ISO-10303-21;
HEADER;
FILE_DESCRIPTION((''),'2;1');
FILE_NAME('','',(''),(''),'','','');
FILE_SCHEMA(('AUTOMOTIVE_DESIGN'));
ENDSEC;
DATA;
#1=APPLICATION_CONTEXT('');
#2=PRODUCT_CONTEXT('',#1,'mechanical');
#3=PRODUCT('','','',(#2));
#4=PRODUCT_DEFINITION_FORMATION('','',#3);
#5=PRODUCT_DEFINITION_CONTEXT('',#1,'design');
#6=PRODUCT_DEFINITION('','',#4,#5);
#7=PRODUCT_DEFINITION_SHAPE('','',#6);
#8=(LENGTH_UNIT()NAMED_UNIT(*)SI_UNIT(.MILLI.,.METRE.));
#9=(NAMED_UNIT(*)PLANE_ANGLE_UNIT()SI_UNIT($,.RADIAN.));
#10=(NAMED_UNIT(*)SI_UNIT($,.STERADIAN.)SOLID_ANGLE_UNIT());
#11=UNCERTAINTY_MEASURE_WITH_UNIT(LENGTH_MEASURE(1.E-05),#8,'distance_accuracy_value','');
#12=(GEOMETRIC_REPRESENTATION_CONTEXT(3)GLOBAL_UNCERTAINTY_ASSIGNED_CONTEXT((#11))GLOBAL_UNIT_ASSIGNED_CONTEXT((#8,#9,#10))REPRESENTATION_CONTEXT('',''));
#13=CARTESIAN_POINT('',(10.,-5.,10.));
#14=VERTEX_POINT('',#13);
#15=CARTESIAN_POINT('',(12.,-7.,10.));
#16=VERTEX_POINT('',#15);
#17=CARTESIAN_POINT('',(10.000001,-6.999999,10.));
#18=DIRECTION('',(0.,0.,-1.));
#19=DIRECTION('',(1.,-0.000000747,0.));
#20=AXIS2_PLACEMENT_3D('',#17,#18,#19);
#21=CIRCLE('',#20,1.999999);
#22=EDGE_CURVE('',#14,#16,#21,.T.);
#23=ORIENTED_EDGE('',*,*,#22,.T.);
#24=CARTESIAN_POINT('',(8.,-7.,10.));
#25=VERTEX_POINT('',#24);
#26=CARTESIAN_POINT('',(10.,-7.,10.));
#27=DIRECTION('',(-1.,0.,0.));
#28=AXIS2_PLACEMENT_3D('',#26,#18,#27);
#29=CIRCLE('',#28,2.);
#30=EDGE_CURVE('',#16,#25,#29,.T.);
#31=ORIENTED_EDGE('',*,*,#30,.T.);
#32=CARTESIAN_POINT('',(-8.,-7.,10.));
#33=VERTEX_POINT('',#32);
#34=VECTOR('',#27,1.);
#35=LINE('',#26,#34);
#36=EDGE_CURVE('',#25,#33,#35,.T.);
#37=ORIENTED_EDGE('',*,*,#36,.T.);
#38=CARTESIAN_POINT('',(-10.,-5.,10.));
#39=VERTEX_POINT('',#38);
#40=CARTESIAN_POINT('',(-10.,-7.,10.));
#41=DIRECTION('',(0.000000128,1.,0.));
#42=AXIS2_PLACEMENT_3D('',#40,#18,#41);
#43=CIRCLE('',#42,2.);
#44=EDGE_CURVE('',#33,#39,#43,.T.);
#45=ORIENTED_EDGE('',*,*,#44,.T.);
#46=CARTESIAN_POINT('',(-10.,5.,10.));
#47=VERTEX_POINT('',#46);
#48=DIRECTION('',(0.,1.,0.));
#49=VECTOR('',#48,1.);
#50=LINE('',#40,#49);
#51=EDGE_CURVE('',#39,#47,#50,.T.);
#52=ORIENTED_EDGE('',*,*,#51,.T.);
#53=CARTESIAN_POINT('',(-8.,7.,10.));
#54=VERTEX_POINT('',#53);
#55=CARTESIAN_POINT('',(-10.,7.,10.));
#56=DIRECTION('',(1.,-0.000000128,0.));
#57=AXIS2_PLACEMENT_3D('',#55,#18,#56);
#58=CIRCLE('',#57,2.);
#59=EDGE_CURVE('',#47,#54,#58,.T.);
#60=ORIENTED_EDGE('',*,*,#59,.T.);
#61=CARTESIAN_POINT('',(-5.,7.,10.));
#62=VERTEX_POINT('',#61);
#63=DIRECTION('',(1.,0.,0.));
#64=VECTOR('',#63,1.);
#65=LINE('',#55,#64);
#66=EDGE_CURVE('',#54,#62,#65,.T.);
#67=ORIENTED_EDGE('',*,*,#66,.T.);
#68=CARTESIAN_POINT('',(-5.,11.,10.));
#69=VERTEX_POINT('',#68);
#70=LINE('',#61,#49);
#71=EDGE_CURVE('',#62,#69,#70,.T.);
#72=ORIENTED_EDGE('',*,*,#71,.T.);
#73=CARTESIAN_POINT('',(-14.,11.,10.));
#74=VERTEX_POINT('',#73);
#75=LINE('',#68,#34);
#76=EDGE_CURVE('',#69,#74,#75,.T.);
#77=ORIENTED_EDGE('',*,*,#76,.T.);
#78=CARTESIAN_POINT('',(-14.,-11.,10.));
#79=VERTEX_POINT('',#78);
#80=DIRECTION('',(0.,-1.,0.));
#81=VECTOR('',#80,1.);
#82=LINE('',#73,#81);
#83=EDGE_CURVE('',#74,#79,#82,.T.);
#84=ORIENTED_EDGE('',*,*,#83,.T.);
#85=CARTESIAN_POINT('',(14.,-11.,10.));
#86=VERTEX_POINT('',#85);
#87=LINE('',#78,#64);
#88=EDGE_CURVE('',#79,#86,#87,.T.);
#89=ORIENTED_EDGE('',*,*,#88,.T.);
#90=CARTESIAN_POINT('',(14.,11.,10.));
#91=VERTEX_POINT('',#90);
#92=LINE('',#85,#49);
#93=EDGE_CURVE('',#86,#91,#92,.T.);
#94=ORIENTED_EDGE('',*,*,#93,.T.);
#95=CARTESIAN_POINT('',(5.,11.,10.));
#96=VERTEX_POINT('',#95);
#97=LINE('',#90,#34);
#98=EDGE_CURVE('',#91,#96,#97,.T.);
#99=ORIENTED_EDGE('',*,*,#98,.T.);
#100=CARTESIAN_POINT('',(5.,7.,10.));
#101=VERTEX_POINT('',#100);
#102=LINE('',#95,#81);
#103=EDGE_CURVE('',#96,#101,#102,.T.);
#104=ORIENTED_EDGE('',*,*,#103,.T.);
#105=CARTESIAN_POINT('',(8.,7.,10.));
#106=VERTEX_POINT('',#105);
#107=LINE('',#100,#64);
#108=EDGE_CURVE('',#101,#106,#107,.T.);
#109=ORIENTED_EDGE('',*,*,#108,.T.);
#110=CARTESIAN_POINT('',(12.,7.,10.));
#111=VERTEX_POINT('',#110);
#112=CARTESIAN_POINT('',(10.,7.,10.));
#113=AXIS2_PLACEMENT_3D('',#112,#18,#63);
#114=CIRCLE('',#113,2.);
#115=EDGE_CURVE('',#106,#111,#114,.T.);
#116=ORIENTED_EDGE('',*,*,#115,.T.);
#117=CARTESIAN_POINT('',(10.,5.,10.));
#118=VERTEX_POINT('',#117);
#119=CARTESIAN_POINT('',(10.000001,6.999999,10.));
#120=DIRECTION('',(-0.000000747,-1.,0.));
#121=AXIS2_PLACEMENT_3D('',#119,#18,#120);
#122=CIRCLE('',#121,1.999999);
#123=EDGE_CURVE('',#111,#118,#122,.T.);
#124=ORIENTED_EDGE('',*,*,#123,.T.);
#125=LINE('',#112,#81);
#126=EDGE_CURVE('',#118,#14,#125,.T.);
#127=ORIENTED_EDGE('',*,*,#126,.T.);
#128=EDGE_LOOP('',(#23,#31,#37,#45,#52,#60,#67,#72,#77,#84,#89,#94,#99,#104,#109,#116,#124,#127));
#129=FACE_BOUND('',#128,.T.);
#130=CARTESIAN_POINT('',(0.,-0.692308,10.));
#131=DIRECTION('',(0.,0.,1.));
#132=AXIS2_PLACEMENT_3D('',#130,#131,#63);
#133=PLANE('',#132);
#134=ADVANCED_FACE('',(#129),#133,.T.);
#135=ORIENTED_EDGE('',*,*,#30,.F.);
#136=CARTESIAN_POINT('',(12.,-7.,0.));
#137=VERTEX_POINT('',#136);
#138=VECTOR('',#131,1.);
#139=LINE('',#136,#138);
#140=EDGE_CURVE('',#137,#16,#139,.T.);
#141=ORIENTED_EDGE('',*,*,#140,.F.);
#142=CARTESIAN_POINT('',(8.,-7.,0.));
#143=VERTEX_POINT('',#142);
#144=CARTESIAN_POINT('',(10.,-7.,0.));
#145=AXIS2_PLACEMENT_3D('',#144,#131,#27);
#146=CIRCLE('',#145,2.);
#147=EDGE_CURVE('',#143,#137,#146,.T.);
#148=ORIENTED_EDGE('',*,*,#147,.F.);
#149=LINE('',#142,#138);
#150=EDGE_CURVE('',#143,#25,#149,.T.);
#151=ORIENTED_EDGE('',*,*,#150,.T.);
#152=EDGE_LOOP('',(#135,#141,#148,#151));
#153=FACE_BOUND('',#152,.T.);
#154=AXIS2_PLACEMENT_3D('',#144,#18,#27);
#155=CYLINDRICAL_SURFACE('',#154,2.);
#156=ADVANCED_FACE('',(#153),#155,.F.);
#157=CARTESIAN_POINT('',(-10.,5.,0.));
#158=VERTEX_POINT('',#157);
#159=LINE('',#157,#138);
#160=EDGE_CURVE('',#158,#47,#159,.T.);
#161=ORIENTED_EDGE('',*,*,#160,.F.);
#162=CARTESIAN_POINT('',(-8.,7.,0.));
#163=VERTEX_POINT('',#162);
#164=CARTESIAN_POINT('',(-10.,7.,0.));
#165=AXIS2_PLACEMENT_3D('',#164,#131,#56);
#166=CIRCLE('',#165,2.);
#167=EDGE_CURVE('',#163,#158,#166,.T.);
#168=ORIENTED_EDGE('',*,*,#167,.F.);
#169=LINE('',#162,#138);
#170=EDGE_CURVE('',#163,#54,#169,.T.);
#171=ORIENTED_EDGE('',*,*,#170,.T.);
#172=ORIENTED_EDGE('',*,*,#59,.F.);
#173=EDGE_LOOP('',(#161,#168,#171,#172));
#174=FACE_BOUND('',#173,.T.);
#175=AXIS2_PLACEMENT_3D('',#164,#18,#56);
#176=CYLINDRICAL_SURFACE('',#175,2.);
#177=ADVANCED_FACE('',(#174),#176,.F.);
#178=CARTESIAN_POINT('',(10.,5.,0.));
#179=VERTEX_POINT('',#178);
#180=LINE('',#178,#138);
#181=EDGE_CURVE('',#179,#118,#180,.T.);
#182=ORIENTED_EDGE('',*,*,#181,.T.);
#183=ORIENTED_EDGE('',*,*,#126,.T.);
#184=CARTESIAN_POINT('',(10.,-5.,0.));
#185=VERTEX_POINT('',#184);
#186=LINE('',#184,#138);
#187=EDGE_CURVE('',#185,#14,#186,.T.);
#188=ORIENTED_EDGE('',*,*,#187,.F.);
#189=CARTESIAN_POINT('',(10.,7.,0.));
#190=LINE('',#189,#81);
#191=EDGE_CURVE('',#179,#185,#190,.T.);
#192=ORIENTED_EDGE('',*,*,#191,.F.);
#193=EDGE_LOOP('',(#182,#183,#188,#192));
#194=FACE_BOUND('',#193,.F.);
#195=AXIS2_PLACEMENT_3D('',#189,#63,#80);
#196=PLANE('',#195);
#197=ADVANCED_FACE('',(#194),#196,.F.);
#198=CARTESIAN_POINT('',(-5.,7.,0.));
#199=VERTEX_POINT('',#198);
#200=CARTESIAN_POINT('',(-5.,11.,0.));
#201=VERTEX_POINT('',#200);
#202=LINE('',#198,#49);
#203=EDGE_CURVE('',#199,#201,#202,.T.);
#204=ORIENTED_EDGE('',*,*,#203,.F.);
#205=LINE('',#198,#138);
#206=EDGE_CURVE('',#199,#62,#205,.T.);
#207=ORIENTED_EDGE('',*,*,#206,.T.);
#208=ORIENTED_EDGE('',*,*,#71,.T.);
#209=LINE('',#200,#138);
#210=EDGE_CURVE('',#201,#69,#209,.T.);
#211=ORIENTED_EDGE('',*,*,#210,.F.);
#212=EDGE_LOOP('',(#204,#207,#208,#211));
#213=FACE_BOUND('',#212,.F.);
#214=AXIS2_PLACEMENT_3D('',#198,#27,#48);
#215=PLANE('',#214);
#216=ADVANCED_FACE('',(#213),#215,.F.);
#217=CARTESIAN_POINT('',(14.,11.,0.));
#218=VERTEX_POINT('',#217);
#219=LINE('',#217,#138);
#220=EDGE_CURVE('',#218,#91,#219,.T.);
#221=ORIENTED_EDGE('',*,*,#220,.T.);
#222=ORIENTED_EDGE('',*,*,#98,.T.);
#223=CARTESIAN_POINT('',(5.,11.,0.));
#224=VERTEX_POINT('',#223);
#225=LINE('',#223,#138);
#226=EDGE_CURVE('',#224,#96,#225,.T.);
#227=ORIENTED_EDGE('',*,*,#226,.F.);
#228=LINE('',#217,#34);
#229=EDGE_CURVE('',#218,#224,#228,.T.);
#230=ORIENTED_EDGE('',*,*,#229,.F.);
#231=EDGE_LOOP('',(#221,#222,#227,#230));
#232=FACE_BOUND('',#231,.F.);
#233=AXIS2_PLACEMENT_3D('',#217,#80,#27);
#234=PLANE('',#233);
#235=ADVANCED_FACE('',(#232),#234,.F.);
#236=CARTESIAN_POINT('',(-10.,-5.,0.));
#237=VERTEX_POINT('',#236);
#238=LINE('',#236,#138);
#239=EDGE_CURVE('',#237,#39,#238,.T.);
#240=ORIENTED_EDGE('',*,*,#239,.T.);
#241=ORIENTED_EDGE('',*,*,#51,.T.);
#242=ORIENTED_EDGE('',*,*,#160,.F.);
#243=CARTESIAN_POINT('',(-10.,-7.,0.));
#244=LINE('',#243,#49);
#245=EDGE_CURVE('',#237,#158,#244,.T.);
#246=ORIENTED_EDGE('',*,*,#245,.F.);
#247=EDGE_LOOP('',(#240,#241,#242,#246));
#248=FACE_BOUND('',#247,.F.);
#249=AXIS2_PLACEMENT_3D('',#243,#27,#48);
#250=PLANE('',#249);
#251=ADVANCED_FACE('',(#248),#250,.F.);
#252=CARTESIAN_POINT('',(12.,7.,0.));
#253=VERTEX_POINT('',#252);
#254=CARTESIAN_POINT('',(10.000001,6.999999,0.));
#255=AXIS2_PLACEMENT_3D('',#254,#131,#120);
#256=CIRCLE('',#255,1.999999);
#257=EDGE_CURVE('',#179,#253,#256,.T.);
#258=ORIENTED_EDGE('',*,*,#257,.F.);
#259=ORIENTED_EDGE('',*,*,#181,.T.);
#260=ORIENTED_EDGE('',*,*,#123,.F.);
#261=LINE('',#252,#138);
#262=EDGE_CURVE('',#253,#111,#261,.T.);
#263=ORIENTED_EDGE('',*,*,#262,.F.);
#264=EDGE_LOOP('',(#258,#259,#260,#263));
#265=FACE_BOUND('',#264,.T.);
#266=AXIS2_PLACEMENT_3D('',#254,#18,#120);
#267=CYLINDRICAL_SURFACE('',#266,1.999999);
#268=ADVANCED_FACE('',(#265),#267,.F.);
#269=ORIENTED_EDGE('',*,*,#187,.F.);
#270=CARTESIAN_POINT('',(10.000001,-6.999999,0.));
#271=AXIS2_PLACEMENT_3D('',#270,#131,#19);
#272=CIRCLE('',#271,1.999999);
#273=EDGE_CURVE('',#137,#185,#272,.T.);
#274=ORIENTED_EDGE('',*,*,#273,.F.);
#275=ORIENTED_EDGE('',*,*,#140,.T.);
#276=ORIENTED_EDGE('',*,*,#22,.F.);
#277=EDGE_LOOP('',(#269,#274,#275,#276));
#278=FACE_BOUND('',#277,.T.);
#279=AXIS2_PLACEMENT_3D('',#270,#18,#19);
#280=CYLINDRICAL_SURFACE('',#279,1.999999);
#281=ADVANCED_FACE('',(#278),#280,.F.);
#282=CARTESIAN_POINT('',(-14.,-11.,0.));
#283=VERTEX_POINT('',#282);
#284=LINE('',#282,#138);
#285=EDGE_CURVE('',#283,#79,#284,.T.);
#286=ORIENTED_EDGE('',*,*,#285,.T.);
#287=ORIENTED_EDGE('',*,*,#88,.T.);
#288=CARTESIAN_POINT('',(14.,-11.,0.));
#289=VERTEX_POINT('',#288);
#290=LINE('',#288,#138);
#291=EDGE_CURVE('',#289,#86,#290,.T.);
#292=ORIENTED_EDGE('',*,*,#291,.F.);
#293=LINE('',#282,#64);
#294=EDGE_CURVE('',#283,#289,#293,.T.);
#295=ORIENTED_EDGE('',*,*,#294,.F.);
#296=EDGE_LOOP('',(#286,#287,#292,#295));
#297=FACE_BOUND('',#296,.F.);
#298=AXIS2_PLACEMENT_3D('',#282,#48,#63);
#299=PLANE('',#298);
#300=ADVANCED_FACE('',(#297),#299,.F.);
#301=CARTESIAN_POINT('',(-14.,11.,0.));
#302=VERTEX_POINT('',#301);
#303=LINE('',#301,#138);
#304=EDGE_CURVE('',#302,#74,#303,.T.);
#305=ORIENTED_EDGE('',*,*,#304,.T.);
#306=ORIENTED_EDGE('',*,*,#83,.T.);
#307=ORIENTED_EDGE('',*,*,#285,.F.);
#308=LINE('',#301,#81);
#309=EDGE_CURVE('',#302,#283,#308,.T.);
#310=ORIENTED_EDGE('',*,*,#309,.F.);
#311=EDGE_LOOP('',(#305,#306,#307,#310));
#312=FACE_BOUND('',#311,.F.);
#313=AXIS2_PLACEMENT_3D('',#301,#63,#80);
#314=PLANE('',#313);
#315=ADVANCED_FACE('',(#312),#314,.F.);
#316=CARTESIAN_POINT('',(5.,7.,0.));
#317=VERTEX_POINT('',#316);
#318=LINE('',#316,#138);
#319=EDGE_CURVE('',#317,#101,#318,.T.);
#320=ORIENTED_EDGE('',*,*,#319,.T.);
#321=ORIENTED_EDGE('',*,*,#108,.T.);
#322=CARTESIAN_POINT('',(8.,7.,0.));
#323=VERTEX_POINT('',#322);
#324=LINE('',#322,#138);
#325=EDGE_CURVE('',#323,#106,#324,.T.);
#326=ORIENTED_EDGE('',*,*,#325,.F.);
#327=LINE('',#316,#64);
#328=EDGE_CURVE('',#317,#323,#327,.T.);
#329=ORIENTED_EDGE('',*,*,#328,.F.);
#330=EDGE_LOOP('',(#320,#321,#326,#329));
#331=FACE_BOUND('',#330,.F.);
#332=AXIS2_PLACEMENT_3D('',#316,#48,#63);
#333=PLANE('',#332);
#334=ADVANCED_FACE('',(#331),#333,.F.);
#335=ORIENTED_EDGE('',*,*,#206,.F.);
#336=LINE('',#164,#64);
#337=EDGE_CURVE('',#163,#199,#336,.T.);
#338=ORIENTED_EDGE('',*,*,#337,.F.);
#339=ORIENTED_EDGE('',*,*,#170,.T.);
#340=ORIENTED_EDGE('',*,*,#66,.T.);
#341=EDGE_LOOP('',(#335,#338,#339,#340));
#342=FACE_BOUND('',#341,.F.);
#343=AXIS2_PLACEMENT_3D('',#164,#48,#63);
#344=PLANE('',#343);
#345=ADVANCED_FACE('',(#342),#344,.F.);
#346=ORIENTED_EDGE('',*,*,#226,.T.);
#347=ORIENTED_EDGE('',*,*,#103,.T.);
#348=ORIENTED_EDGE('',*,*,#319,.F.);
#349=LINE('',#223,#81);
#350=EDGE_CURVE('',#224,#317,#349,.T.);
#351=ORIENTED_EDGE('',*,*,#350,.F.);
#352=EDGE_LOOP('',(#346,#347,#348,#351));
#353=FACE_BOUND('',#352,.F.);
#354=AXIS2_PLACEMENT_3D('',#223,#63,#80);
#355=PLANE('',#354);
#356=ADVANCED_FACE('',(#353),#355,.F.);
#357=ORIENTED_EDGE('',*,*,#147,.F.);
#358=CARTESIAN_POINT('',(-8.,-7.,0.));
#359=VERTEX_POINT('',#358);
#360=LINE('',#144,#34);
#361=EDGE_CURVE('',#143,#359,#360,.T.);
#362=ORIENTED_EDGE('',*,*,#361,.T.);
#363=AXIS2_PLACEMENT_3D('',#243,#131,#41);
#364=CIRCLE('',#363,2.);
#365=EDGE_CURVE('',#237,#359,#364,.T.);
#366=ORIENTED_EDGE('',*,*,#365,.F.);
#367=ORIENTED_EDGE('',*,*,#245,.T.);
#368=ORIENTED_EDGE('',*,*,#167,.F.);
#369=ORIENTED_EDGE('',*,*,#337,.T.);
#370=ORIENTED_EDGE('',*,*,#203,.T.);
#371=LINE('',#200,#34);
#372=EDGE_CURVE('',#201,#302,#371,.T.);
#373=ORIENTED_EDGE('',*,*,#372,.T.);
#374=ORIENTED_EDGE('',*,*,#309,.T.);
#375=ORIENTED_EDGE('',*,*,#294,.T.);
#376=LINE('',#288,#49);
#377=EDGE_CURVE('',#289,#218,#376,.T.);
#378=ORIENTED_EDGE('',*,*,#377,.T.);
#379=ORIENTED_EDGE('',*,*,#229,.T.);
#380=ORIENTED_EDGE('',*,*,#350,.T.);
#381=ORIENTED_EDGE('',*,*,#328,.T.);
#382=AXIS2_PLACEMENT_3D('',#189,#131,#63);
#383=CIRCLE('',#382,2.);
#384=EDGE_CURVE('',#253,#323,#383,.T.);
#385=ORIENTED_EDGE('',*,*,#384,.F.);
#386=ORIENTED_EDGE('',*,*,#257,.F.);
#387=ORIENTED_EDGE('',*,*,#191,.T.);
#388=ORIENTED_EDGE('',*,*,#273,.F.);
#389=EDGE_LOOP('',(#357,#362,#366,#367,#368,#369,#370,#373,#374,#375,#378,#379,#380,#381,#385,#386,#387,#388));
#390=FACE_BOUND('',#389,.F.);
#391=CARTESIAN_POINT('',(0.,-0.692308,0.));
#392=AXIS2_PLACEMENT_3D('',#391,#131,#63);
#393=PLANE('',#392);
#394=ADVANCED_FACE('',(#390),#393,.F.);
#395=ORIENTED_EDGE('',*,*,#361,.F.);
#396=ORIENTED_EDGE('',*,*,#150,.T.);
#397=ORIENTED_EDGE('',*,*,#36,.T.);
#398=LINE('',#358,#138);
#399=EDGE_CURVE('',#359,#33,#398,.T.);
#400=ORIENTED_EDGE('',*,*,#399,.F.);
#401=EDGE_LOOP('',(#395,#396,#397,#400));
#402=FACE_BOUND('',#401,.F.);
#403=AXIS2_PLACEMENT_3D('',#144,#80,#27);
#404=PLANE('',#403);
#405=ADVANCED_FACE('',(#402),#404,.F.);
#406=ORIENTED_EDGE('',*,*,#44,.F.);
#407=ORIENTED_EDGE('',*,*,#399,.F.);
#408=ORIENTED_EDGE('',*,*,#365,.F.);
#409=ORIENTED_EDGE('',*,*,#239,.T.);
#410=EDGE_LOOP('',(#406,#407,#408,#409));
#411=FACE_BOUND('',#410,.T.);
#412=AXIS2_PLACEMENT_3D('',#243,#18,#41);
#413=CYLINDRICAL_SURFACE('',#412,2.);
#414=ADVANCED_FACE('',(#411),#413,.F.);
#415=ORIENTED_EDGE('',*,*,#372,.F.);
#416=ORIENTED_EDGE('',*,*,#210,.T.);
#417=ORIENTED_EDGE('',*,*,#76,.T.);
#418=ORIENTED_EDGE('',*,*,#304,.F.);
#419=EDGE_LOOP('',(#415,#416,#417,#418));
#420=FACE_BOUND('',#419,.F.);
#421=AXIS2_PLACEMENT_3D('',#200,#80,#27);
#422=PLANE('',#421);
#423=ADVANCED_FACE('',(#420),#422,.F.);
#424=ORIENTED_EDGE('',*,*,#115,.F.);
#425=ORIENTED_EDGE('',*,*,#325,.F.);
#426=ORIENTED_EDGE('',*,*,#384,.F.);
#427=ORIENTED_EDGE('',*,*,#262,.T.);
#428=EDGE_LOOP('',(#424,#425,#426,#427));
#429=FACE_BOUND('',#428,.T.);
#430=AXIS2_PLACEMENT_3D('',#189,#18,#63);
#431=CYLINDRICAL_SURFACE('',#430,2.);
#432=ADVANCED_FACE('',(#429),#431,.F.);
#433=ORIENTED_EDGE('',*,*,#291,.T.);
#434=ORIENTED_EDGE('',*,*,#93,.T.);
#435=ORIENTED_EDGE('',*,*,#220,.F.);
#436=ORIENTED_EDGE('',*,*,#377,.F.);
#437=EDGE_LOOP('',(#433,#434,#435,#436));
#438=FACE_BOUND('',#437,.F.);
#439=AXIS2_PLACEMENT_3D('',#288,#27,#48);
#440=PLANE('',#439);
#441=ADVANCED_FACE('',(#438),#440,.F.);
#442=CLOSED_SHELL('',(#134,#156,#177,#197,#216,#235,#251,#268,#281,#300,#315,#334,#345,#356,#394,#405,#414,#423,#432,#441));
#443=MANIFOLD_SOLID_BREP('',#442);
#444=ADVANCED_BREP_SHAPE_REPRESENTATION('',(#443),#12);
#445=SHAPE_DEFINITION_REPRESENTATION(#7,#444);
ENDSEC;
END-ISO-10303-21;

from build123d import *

# Parameters (mm, degrees)
F1_DEPTH = 10
F3_DEPTH = 10.001


with BuildPart() as f1:
    # F0 (on Top) → F1 (new body)
    with BuildSketch(Plane.XY):
        Polygon((10, 7), (10, -7), (-10, -7), (-10, 7), (-5, 7), (-5, 11), (-14, 11), (-14, -11), (14, -11), (14, 11), (5, 11), (5, 7), align=None)
    extrude(amount=F1_DEPTH)

    # F2 (on Top) → F3 (cut, through all)
    with BuildSketch(Plane.XY):
        with BuildLine():
            Line((-8, -7), (-10, -7))
            Line((-10, -7), (-10, -5))
            ThreePointArc((-10, -5), (-11.414214, -8.414214), (-8, -7))
        make_face()
        with BuildLine():
            Line((-10, -5), (-10, -7))
            Line((-10, -7), (-8, -7))
            ThreePointArc((-8, -7), (-8.585786, -5.585786), (-10, -5))
        make_face()
        with BuildLine():
            ThreePointArc((-8, 7), (-11.414214, 8.414214), (-10, 5))
            Line((-10, 5), (-10, 7))
            Line((-10, 7), (-8, 7))
        make_face()
        with BuildLine():
            Line((-10, 7), (-10, 5))
            ThreePointArc((-10, 5), (-8.585786, 5.585786), (-8, 7))
            Line((-8, 7), (-10, 7))
        make_face()
        with BuildLine():
            ThreePointArc((8, 7), (8.585786, 5.585786), (10, 5))
            Line((10, 5), (10, 7))
            Line((10, 7), (8, 7))
        make_face()
        with BuildLine():
            Line((10, 7), (10, 5))
            ThreePointArc((10, 5), (11.414214, 5.585786), (12, 7))
            ThreePointArc((12, 7), (10, 9), (8, 7))
            Line((8, 7), (10, 7))
        make_face()
        with BuildLine():
            ThreePointArc((10, -5), (8.585786, -5.585786), (8, -7))
            Line((8, -7), (10, -7))
            Line((10, -7), (10, -5))
        make_face()
        with BuildLine():
            Line((10, -7), (8, -7))
            ThreePointArc((8, -7), (10, -9), (12, -7))
            ThreePointArc((12, -7), (11.414214, -5.585786), (10, -5))
            Line((10, -5), (10, -7))
        make_face()
    extrude(amount=F3_DEPTH, mode=Mode.SUBTRACT)


solid = f1.part
